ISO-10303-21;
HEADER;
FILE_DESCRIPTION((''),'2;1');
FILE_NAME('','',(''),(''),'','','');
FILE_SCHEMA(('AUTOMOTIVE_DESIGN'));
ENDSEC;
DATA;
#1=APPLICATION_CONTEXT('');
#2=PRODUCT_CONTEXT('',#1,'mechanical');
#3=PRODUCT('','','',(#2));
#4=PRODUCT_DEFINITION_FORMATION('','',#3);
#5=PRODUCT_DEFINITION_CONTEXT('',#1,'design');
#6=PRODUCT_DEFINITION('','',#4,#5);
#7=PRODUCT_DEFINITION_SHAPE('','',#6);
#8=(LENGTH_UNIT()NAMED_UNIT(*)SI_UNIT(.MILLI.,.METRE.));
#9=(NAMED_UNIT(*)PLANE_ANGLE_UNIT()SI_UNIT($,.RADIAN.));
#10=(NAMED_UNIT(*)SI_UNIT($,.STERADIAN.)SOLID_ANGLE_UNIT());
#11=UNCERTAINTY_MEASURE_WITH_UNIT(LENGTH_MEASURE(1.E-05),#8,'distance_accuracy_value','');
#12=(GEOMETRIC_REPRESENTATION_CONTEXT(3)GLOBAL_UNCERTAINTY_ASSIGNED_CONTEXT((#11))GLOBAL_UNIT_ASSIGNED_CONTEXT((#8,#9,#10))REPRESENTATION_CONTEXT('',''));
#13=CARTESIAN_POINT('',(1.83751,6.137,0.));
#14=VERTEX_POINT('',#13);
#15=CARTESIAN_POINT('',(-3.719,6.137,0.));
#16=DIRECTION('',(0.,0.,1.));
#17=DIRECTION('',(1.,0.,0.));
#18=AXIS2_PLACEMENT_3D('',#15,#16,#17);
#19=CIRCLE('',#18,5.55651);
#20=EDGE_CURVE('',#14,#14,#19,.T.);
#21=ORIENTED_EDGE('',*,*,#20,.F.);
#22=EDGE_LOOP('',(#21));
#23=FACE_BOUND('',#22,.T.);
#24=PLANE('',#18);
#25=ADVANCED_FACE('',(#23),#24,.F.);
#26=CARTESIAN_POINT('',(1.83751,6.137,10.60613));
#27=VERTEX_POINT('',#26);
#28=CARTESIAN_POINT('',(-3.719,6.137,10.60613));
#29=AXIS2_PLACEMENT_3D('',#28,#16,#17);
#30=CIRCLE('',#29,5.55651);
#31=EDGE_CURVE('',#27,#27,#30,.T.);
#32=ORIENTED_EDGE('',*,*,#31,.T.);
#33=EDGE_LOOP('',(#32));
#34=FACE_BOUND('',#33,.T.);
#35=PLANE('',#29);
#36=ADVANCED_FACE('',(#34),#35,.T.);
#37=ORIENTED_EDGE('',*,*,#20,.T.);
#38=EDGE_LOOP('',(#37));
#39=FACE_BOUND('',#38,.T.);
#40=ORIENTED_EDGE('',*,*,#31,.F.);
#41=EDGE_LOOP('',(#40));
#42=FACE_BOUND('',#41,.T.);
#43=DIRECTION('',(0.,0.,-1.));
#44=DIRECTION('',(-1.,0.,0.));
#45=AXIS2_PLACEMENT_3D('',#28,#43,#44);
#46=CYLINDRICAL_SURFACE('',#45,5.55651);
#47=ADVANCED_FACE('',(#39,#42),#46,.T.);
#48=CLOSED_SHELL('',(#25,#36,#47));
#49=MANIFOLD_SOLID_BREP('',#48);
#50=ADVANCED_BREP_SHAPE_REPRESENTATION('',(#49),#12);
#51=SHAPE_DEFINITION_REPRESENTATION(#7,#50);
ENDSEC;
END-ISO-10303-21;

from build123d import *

# Parameters (mm, degrees)
CURVESKETCH_R   = 5.55651
CURVEBOSS_DEPTH = 10.60613


with BuildPart() as part:
    # CurveSketch → CurveBoss (new body)
    with BuildSketch(Plane.XY):
        with Locations((-3.719, 6.137)):
            Circle(CURVESKETCH_R)
    extrude(amount=CURVEBOSS_DEPTH)


solid = part.part
